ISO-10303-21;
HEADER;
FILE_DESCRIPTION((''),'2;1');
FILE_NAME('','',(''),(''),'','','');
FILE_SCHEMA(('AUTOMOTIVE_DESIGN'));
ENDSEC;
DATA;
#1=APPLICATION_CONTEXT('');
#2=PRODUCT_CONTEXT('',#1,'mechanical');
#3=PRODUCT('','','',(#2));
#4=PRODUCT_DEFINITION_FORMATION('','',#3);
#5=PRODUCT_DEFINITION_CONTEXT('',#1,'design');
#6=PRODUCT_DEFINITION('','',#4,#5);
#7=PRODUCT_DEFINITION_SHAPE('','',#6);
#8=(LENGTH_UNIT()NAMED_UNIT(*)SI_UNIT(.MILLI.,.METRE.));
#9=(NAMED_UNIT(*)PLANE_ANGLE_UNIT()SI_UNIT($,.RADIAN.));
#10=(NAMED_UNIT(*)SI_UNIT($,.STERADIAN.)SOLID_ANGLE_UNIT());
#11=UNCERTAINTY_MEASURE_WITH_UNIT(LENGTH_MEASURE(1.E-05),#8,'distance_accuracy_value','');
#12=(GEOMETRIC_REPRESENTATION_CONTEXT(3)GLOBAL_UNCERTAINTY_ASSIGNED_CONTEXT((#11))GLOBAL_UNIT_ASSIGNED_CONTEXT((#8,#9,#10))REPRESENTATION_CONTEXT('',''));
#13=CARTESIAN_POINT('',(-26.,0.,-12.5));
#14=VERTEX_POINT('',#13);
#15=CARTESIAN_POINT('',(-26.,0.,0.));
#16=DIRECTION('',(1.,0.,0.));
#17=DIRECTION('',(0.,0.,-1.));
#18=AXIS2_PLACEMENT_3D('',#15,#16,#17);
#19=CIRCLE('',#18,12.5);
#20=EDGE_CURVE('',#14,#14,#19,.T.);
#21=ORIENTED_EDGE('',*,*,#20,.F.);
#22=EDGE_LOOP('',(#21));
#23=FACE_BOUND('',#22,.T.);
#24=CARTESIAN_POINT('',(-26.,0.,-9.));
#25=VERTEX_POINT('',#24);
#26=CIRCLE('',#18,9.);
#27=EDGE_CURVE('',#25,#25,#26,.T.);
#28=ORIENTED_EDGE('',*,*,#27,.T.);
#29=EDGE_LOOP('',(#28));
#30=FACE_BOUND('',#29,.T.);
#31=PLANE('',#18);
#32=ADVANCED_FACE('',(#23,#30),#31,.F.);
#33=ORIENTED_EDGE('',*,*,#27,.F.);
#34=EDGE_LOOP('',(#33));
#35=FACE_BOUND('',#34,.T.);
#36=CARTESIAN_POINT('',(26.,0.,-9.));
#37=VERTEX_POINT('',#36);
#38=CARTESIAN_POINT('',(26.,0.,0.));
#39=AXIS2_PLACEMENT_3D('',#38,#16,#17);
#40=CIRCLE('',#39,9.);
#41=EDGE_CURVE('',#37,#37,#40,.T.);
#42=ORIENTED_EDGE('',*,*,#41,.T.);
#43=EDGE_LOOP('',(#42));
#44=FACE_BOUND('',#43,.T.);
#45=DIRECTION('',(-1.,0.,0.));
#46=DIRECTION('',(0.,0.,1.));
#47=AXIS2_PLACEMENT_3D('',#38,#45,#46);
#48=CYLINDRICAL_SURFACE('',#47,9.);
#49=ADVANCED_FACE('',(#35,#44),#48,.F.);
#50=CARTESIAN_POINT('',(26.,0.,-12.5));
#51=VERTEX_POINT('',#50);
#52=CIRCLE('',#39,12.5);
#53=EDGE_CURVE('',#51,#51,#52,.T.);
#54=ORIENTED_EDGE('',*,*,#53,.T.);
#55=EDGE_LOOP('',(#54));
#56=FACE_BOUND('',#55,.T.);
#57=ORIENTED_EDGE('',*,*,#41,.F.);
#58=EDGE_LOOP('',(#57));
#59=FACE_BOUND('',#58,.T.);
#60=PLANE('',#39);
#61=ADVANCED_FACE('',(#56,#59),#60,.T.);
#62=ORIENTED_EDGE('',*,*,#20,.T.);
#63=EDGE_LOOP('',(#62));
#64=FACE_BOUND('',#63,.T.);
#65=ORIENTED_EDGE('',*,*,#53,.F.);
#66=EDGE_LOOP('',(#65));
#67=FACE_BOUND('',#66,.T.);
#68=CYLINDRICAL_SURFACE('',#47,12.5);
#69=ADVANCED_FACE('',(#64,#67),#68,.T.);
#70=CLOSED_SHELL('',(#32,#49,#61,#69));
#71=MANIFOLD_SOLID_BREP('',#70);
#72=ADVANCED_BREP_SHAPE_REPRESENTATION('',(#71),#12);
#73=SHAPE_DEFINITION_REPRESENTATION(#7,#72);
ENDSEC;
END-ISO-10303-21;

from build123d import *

# Parameters (mm, degrees)
SCHIZZO1_R                = 12.5
SCHIZZO1_R_2              = 9
ESTRUSIONE_SOTTILE1_DEPTH = 26


with BuildPart() as part:
    # Schizzo1 → Estrusione-Sottile1 (new body, symmetric)
    with BuildSketch(Plane(origin=(0, 0, 0), x_dir=(0, 0, -1), z_dir=(1, 0, 0))):
        Circle(SCHIZZO1_R)
        Circle(SCHIZZO1_R_2, mode=Mode.SUBTRACT)
    extrude(amount=ESTRUSIONE_SOTTILE1_DEPTH, both=True)


solid = part.part
